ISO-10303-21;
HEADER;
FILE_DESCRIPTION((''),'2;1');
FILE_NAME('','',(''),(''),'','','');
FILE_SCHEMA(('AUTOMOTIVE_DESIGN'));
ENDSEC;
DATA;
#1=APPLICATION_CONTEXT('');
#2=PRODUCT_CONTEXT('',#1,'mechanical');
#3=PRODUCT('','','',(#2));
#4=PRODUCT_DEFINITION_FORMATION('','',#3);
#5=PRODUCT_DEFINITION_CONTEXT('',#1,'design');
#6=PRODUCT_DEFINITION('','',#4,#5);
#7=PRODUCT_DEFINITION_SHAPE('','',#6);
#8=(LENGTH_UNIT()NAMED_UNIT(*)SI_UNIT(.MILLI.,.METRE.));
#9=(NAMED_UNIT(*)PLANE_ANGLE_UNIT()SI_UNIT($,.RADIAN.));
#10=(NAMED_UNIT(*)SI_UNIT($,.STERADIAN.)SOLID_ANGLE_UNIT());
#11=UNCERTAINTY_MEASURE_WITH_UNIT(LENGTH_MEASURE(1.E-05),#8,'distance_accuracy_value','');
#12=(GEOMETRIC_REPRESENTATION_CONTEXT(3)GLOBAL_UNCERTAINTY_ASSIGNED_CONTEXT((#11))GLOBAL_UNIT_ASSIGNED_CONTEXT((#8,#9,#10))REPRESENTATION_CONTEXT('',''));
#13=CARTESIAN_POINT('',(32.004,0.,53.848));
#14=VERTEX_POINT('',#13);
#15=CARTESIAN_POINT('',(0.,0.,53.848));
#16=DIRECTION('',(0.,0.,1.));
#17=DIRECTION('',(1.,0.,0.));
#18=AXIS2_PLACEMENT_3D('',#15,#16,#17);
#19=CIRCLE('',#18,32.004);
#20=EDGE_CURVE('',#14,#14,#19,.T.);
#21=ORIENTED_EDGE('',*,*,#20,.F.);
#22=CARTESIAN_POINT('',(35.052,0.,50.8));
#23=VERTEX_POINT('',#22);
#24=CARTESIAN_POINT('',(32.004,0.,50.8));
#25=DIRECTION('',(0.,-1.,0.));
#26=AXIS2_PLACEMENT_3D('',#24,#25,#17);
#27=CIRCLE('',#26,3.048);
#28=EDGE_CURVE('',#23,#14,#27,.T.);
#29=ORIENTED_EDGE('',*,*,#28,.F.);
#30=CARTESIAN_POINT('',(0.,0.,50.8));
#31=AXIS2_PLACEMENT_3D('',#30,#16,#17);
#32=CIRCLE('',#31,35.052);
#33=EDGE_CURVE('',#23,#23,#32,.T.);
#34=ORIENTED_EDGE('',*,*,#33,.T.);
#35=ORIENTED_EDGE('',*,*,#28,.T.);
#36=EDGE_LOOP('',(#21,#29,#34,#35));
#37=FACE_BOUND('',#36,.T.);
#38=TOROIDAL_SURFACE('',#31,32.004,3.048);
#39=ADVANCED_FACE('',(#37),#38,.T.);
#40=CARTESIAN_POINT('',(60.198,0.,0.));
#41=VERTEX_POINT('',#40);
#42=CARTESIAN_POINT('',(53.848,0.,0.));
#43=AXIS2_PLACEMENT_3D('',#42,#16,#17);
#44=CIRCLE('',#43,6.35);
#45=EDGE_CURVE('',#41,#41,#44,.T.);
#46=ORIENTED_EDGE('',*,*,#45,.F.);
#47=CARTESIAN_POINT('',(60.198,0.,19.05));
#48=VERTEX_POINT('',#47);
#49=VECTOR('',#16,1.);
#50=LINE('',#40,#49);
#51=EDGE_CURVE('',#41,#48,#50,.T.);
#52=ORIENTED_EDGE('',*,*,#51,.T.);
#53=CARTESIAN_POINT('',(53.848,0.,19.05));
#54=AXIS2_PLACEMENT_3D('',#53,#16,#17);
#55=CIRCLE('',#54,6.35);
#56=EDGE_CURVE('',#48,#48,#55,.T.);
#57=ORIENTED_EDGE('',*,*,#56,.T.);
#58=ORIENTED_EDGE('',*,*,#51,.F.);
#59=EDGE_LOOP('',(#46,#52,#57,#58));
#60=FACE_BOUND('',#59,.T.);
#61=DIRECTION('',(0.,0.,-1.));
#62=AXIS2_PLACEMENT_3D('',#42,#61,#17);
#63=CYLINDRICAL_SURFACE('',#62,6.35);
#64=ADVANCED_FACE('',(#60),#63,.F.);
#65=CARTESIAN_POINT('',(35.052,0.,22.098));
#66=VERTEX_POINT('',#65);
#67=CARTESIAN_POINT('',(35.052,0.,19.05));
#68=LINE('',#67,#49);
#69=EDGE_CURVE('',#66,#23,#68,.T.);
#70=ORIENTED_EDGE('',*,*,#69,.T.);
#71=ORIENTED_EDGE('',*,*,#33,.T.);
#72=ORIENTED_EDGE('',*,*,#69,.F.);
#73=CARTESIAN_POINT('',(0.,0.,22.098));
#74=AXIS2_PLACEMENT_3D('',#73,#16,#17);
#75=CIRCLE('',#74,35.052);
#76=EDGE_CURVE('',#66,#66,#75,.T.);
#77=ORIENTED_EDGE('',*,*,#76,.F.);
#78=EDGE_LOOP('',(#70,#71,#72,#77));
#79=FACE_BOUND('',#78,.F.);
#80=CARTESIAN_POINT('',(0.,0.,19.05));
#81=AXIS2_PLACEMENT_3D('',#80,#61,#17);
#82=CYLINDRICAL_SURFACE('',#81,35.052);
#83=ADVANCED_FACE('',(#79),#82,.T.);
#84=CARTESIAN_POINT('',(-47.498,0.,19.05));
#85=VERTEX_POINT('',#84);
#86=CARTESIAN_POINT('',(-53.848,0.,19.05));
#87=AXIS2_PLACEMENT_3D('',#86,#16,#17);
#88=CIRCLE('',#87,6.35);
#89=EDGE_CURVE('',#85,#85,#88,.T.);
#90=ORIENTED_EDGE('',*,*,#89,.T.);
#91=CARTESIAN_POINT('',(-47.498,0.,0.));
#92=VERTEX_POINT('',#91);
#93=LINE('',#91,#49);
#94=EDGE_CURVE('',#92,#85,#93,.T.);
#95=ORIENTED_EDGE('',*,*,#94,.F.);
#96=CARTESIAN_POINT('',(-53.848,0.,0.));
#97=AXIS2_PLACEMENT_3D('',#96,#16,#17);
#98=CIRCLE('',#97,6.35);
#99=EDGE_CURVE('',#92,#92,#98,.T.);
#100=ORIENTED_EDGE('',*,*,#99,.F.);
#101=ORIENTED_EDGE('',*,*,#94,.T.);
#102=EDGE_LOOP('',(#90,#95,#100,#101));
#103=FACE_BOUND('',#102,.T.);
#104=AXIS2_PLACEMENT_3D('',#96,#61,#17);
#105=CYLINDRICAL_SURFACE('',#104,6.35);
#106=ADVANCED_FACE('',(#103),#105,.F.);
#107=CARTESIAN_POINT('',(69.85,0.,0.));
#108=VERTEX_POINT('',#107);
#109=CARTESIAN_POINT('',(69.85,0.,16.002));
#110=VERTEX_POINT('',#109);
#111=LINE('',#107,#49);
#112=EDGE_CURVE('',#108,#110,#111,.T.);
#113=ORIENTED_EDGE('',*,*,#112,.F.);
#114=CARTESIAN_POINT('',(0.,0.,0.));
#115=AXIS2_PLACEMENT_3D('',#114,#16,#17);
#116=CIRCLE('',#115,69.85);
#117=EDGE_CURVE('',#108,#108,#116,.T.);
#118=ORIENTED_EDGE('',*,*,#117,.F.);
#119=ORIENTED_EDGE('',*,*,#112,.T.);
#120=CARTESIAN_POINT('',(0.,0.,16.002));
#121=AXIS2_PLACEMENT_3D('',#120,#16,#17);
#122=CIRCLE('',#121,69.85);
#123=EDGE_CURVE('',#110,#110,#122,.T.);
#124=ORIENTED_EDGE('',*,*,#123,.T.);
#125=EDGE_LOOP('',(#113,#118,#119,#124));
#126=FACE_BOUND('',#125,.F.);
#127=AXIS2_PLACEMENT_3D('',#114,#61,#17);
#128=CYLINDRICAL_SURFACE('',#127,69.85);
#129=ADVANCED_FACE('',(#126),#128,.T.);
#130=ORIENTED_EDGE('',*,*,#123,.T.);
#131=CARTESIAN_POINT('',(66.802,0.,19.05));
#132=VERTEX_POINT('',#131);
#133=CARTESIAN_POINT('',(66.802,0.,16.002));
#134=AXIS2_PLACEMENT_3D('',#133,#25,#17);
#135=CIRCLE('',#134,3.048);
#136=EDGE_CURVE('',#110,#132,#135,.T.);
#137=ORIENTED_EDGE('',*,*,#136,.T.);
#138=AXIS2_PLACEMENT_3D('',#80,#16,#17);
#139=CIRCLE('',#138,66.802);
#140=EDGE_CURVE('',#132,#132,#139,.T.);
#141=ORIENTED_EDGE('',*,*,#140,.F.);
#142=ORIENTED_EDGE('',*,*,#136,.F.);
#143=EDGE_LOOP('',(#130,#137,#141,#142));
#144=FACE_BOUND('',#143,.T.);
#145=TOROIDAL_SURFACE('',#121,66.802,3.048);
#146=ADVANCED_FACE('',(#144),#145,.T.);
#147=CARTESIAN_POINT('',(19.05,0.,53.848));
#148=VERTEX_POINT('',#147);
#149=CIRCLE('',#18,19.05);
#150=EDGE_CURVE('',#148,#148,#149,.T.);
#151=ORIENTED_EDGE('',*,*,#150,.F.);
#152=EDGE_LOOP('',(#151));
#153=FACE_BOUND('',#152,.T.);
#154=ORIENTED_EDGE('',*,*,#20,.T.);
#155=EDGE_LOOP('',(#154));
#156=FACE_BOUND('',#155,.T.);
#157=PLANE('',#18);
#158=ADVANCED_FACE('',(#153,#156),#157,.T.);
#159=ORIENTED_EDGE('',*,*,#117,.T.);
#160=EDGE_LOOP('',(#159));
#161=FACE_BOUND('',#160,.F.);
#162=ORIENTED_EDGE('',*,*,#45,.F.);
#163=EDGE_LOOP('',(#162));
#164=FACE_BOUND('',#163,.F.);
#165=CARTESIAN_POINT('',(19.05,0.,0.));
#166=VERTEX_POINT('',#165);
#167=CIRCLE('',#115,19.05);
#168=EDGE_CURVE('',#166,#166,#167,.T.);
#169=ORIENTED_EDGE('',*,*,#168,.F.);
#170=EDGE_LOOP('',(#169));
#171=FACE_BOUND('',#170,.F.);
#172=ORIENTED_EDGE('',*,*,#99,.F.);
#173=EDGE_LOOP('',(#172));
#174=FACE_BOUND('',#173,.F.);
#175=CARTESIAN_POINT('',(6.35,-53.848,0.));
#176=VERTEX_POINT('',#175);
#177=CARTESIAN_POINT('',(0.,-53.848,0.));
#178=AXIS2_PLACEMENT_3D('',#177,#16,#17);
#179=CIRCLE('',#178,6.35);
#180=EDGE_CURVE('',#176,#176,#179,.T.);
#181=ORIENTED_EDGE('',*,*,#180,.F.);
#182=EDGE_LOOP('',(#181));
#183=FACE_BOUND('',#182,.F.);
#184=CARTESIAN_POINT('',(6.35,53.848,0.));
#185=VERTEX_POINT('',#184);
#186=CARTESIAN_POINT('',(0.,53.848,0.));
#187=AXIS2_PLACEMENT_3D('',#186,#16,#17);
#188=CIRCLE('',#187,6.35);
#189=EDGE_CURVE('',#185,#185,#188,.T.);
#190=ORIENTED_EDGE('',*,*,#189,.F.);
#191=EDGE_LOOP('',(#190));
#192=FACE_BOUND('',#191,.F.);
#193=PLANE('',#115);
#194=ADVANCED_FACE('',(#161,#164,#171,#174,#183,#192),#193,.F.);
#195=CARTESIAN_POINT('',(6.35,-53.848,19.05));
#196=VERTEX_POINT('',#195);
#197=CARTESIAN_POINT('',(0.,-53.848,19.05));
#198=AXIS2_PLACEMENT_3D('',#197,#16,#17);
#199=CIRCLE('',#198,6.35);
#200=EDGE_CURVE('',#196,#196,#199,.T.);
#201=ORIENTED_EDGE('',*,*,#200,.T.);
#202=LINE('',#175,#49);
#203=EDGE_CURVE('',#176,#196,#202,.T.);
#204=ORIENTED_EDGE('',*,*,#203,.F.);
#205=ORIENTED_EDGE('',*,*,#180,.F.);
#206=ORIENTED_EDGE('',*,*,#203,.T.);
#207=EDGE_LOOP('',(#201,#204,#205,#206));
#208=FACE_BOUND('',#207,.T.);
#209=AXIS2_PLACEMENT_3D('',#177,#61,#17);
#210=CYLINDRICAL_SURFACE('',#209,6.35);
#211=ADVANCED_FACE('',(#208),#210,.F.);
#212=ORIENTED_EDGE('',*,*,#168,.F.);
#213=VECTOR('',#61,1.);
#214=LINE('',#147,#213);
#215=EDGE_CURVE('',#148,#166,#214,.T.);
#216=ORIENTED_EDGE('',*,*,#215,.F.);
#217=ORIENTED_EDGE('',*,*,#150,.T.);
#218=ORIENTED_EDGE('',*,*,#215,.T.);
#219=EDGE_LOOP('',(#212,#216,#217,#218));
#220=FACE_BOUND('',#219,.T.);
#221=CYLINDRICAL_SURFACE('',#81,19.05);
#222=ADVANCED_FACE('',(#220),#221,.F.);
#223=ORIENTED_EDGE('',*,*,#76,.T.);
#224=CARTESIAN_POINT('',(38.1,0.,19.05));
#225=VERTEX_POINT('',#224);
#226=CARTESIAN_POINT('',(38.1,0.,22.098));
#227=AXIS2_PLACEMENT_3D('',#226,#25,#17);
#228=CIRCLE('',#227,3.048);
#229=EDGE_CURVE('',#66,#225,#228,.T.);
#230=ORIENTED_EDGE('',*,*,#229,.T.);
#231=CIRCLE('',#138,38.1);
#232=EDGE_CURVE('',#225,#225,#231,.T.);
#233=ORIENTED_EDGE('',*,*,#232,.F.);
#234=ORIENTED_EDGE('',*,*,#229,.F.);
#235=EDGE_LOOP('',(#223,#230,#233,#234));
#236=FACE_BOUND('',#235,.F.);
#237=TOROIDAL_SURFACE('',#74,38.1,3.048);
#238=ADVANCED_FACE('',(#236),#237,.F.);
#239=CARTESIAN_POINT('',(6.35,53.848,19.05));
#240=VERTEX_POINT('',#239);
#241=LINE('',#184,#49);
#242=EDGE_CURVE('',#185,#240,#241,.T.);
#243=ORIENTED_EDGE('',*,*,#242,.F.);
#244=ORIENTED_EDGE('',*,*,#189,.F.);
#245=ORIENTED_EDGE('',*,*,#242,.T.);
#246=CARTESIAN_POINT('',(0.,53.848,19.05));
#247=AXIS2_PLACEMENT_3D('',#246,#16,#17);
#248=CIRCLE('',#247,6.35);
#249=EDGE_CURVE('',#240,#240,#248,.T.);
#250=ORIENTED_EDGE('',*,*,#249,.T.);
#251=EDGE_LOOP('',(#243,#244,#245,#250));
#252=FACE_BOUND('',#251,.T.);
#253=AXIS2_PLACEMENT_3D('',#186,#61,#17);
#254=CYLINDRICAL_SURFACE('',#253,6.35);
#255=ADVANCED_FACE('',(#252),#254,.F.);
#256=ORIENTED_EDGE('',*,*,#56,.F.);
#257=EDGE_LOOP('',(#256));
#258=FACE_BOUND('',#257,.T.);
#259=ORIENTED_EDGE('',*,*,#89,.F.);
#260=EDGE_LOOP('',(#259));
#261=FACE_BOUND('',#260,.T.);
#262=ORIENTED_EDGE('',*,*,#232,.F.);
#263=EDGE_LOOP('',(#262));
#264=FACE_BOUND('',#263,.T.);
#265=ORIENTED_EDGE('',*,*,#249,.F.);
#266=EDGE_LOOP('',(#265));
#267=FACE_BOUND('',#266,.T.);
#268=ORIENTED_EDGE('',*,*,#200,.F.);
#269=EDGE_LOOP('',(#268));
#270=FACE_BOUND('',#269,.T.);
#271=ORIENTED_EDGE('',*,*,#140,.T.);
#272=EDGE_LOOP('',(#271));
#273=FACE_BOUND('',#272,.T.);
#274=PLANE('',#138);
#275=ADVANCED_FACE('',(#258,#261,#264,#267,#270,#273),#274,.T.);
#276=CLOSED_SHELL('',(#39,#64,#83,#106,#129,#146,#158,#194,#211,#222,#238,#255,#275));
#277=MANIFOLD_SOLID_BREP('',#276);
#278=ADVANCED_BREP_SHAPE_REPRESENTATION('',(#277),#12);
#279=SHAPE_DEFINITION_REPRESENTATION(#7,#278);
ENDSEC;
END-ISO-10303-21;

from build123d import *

# Parameters (mm, degrees)
F0_R     = 69.85
F0_R_2   = 6.35
F0_R_3   = 19.05
F1_DEPTH = 19.05
F2_R     = 35.052
F2_R_2   = 19.05
F3_DEPTH = 34.798
F4_R     = 3.048


with BuildPart() as f1:
    # F0 (on Top) → F1 (new body)
    with BuildSketch(Plane.XY):
        Circle(F0_R)
        with Locations((0, -53.848)):
            Circle(F0_R_2, mode=Mode.SUBTRACT)
        with Locations((-53.848, 0)):
            Circle(F0_R_2, mode=Mode.SUBTRACT)
        Circle(F0_R_3, mode=Mode.SUBTRACT)
        with Locations((53.848, 0)):
            Circle(F0_R_2, mode=Mode.SUBTRACT)
        with Locations((0, 53.848)):
            Circle(F0_R_2, mode=Mode.SUBTRACT)
    extrude(amount=F1_DEPTH)

    # F2 (on face) → F3 (join)
    with BuildSketch(Plane.XY.offset(19.05)):
        Circle(F2_R)
        Circle(F2_R_2, mode=Mode.SUBTRACT)
    extrude(amount=F3_DEPTH)

    # F4
    f4_edges = [f1.edges().sort_by_distance(p)[0] for p in [
        (-35.052, 0, 19.05),
        (-35.052, 0, 53.848),
        (-69.85, 0, 19.05),
    ]]
    fillet(f4_edges, radius=F4_R)


solid = f1.part
